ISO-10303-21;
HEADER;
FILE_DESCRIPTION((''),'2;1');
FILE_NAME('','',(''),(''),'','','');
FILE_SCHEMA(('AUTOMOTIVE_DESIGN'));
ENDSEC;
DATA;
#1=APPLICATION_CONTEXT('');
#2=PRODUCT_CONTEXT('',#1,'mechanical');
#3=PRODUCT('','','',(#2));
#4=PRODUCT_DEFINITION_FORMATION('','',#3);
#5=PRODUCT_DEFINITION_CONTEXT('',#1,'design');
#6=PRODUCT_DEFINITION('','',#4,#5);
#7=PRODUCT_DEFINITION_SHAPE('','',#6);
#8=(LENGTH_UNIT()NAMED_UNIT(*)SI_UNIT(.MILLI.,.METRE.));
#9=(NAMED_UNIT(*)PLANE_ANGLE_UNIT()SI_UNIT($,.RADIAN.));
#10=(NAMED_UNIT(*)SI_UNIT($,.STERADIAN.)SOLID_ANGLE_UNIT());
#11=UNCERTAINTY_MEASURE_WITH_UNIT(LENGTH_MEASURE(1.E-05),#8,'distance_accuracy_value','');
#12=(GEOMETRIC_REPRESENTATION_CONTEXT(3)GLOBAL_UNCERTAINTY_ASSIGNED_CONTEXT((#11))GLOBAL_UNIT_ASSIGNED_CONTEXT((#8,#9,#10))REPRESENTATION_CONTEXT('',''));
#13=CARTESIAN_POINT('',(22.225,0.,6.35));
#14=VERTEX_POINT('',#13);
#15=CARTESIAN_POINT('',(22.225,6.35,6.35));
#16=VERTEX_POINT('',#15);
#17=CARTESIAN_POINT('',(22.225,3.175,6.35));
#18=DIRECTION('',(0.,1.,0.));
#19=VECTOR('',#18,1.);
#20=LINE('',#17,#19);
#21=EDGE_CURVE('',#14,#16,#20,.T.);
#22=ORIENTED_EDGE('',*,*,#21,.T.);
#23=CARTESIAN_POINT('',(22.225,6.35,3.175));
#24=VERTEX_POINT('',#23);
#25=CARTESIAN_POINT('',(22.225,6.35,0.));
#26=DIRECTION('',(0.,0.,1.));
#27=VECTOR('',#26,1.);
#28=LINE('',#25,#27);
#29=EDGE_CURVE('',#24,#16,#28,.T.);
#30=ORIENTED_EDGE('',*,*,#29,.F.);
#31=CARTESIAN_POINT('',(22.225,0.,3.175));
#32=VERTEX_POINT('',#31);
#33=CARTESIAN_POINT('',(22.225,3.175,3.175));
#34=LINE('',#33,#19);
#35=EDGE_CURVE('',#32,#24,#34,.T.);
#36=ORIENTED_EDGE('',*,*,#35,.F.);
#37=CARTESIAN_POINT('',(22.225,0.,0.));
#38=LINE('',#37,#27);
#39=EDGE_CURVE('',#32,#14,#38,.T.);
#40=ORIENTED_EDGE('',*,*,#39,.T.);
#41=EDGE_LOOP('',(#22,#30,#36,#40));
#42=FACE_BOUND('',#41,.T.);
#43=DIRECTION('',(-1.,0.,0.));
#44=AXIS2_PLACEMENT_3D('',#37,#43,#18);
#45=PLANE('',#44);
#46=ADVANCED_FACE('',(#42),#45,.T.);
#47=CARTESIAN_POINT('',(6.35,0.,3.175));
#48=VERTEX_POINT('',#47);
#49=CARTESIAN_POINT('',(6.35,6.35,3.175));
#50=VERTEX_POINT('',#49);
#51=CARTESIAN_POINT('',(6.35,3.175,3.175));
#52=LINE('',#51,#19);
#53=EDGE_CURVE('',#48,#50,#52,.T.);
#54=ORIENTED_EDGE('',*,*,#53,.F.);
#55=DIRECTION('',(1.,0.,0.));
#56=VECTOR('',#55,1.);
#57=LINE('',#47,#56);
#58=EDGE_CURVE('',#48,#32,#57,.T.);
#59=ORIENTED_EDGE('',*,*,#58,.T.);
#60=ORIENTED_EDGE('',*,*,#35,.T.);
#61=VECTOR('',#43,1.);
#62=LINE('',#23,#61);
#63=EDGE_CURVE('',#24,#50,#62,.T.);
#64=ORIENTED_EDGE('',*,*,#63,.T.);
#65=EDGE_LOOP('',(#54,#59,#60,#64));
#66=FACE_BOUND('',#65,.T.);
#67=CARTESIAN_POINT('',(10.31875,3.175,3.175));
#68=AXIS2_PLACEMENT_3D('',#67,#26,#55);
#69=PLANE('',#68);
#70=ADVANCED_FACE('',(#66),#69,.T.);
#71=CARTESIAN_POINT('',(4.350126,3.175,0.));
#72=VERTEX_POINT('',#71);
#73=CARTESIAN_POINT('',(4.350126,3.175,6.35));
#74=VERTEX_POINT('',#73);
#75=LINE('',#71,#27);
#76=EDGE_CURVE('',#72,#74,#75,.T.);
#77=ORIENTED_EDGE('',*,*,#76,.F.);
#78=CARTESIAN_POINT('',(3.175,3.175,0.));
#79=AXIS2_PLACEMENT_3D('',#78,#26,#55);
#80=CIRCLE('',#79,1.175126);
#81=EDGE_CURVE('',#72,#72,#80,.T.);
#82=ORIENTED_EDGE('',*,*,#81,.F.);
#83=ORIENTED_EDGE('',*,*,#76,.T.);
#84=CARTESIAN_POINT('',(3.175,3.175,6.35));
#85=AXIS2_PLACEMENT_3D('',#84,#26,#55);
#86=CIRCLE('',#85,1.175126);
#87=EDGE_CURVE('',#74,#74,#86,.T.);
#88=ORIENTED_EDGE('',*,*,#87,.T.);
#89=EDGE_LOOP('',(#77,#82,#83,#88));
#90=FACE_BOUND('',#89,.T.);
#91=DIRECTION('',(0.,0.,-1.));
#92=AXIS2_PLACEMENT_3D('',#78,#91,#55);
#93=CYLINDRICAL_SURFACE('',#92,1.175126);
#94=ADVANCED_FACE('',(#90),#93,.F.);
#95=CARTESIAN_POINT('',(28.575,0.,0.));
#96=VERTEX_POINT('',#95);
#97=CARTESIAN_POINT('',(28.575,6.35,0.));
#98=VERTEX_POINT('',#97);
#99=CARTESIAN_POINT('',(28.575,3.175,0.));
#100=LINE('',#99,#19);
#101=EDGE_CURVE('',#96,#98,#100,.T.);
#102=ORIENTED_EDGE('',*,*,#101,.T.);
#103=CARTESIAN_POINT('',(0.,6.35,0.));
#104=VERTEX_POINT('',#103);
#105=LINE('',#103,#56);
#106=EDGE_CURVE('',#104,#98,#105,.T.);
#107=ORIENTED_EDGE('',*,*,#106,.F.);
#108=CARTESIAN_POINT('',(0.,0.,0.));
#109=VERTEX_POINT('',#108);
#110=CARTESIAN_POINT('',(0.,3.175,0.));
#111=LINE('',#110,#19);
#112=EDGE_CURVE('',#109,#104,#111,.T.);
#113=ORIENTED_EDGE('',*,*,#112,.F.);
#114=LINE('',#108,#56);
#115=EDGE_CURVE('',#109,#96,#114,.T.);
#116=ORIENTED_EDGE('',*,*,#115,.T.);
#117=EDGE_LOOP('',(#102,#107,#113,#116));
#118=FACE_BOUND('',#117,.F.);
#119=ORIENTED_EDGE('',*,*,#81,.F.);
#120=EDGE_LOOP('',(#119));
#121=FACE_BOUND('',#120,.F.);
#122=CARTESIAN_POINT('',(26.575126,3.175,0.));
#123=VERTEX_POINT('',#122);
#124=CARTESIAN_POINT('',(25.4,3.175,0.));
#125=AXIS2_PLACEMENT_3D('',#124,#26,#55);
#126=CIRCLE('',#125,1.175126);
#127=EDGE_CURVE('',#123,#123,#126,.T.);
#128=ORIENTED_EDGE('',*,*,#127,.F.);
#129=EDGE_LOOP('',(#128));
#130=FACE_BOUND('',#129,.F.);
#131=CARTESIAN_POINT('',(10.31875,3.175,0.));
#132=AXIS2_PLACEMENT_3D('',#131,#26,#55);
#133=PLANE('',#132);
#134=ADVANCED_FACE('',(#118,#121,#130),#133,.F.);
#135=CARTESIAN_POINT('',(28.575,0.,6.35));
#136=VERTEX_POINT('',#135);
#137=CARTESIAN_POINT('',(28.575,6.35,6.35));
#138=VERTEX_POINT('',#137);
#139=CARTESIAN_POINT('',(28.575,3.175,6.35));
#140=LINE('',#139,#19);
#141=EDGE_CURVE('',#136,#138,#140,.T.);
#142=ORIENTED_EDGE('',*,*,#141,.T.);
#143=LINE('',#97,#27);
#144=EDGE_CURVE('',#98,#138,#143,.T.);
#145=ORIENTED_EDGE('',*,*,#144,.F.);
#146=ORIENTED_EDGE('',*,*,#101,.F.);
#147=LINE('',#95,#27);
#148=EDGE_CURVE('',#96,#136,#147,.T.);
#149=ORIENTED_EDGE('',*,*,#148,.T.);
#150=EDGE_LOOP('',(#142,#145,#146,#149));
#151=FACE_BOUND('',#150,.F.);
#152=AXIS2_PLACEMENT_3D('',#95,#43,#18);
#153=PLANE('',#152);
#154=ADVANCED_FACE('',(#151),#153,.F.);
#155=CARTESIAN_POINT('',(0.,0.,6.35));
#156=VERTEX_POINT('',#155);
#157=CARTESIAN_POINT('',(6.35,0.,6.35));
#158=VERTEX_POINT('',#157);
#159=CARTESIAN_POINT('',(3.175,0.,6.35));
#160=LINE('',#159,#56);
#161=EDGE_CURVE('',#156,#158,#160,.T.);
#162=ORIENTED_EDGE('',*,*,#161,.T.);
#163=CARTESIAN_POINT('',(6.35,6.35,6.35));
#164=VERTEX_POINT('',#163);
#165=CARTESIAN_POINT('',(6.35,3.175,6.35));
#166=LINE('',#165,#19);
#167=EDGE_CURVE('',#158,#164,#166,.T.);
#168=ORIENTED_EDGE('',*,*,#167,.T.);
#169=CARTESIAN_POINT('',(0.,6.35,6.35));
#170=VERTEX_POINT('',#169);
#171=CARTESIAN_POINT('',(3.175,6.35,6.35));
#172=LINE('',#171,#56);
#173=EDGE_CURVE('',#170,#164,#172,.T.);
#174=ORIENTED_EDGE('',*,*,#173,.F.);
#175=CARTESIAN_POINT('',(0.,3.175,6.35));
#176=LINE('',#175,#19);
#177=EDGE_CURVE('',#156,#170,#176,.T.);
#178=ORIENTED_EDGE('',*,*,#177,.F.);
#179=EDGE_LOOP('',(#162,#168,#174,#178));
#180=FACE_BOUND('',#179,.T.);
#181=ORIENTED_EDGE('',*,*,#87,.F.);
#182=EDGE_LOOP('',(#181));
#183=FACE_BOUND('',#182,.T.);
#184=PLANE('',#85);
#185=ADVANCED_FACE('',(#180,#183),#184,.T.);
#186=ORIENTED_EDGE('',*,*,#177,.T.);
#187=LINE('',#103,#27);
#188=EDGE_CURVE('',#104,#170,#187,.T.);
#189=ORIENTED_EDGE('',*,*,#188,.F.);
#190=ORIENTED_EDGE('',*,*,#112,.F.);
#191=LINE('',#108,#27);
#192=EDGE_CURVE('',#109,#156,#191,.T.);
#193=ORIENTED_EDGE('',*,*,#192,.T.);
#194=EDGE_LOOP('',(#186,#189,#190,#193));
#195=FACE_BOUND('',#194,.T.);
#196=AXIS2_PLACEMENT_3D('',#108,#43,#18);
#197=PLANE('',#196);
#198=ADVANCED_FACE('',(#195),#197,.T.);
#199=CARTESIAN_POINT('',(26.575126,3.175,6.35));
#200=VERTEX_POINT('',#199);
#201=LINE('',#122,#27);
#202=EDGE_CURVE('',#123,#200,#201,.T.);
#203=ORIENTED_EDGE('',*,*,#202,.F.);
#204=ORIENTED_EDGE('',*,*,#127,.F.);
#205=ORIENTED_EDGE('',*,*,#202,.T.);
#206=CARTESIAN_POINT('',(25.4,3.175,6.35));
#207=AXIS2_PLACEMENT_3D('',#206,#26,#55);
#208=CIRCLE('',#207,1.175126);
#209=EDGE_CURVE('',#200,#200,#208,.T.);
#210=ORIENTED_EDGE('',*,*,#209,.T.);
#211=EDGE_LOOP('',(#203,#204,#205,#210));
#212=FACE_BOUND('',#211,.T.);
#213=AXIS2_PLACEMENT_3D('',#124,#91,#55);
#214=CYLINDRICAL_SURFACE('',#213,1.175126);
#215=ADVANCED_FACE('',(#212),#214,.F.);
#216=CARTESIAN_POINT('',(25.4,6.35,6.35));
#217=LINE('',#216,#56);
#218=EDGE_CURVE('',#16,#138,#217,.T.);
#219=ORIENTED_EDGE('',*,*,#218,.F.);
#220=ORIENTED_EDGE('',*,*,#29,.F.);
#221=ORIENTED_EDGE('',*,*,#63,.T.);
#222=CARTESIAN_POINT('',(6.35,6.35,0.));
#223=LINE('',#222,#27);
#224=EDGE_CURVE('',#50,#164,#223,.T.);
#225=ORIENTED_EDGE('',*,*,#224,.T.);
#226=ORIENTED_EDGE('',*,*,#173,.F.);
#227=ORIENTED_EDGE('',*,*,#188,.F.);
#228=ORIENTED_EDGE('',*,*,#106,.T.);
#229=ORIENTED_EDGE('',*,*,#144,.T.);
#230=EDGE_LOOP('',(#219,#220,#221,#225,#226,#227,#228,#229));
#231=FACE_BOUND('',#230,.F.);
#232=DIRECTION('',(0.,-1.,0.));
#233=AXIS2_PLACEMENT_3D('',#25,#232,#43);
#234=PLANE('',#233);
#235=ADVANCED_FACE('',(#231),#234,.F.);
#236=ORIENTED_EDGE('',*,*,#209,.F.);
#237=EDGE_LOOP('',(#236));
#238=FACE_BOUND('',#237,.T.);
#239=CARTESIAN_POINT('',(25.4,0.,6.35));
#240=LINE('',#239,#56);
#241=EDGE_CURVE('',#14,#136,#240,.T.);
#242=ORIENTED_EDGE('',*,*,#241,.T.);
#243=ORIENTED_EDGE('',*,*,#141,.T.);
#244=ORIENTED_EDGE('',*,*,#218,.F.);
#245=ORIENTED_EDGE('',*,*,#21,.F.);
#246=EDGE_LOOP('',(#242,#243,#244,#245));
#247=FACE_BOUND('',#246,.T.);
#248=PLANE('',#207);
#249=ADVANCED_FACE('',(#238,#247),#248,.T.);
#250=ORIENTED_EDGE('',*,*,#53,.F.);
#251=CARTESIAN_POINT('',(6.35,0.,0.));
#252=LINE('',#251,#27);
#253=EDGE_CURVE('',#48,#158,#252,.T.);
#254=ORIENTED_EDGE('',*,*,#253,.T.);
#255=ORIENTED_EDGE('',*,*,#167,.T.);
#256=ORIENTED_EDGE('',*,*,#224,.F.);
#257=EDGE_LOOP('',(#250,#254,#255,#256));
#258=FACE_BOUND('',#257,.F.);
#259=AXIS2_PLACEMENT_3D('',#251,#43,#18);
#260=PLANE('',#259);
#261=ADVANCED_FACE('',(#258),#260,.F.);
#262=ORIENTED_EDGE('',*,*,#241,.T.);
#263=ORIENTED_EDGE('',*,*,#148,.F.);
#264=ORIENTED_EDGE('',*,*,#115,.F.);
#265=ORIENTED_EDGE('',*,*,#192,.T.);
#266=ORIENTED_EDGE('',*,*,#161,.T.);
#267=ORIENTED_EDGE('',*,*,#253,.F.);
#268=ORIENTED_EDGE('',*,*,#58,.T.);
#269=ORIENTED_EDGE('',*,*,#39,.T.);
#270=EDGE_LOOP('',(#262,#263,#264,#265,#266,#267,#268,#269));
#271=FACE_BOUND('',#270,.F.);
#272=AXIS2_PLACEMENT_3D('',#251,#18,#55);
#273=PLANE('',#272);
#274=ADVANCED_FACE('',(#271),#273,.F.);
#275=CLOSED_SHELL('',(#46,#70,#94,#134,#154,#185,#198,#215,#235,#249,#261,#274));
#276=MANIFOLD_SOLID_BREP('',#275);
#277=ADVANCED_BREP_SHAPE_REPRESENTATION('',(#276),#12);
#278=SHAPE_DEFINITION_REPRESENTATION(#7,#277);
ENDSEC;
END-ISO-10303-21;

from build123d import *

# Parameters (mm, degrees)
F0_W     = 6.35
F0_H     = 6.35
F0_R     = 1.1751262937
F1_DEPTH = 6.35
F0_W_2   = 7.9375
F2_DEPTH = 3.175


with BuildPart() as f1:
    # F0 (on Top) → F1 (new body)
    with BuildSketch(Plane.XY):
        with Locations((3.175, 3.175)):
            Rectangle(F0_W, F0_H)
        with Locations((3.175, 3.175)):
            Circle(F0_R, mode=Mode.SUBTRACT)
    extrude(amount=F1_DEPTH)



with BuildPart() as f1b:
    # F0 (on Top) → F1, piece 2 (new body)
    with BuildSketch(Plane.XY):
        with Locations((25.4, 3.175)):
            Rectangle(F0_W, F0_H)
        with Locations((25.4, 3.175)):
            Circle(F0_R, mode=Mode.SUBTRACT)
    extrude(amount=F1_DEPTH)


with BuildPart() as f1_1:
    add(f1.part)

    add(f1b.part)  # F2 merges F1b
    # F0 (on Top) → F2 (join)
    with BuildSketch(Plane.XY):
        with Locations((10.31875, 3.175)):
            Rectangle(F0_W_2, F0_H)
        with Locations((18.25625, 3.175)):
            Rectangle(F0_W_2, F0_H)
    extrude(amount=F2_DEPTH)


solid = f1_1.part
